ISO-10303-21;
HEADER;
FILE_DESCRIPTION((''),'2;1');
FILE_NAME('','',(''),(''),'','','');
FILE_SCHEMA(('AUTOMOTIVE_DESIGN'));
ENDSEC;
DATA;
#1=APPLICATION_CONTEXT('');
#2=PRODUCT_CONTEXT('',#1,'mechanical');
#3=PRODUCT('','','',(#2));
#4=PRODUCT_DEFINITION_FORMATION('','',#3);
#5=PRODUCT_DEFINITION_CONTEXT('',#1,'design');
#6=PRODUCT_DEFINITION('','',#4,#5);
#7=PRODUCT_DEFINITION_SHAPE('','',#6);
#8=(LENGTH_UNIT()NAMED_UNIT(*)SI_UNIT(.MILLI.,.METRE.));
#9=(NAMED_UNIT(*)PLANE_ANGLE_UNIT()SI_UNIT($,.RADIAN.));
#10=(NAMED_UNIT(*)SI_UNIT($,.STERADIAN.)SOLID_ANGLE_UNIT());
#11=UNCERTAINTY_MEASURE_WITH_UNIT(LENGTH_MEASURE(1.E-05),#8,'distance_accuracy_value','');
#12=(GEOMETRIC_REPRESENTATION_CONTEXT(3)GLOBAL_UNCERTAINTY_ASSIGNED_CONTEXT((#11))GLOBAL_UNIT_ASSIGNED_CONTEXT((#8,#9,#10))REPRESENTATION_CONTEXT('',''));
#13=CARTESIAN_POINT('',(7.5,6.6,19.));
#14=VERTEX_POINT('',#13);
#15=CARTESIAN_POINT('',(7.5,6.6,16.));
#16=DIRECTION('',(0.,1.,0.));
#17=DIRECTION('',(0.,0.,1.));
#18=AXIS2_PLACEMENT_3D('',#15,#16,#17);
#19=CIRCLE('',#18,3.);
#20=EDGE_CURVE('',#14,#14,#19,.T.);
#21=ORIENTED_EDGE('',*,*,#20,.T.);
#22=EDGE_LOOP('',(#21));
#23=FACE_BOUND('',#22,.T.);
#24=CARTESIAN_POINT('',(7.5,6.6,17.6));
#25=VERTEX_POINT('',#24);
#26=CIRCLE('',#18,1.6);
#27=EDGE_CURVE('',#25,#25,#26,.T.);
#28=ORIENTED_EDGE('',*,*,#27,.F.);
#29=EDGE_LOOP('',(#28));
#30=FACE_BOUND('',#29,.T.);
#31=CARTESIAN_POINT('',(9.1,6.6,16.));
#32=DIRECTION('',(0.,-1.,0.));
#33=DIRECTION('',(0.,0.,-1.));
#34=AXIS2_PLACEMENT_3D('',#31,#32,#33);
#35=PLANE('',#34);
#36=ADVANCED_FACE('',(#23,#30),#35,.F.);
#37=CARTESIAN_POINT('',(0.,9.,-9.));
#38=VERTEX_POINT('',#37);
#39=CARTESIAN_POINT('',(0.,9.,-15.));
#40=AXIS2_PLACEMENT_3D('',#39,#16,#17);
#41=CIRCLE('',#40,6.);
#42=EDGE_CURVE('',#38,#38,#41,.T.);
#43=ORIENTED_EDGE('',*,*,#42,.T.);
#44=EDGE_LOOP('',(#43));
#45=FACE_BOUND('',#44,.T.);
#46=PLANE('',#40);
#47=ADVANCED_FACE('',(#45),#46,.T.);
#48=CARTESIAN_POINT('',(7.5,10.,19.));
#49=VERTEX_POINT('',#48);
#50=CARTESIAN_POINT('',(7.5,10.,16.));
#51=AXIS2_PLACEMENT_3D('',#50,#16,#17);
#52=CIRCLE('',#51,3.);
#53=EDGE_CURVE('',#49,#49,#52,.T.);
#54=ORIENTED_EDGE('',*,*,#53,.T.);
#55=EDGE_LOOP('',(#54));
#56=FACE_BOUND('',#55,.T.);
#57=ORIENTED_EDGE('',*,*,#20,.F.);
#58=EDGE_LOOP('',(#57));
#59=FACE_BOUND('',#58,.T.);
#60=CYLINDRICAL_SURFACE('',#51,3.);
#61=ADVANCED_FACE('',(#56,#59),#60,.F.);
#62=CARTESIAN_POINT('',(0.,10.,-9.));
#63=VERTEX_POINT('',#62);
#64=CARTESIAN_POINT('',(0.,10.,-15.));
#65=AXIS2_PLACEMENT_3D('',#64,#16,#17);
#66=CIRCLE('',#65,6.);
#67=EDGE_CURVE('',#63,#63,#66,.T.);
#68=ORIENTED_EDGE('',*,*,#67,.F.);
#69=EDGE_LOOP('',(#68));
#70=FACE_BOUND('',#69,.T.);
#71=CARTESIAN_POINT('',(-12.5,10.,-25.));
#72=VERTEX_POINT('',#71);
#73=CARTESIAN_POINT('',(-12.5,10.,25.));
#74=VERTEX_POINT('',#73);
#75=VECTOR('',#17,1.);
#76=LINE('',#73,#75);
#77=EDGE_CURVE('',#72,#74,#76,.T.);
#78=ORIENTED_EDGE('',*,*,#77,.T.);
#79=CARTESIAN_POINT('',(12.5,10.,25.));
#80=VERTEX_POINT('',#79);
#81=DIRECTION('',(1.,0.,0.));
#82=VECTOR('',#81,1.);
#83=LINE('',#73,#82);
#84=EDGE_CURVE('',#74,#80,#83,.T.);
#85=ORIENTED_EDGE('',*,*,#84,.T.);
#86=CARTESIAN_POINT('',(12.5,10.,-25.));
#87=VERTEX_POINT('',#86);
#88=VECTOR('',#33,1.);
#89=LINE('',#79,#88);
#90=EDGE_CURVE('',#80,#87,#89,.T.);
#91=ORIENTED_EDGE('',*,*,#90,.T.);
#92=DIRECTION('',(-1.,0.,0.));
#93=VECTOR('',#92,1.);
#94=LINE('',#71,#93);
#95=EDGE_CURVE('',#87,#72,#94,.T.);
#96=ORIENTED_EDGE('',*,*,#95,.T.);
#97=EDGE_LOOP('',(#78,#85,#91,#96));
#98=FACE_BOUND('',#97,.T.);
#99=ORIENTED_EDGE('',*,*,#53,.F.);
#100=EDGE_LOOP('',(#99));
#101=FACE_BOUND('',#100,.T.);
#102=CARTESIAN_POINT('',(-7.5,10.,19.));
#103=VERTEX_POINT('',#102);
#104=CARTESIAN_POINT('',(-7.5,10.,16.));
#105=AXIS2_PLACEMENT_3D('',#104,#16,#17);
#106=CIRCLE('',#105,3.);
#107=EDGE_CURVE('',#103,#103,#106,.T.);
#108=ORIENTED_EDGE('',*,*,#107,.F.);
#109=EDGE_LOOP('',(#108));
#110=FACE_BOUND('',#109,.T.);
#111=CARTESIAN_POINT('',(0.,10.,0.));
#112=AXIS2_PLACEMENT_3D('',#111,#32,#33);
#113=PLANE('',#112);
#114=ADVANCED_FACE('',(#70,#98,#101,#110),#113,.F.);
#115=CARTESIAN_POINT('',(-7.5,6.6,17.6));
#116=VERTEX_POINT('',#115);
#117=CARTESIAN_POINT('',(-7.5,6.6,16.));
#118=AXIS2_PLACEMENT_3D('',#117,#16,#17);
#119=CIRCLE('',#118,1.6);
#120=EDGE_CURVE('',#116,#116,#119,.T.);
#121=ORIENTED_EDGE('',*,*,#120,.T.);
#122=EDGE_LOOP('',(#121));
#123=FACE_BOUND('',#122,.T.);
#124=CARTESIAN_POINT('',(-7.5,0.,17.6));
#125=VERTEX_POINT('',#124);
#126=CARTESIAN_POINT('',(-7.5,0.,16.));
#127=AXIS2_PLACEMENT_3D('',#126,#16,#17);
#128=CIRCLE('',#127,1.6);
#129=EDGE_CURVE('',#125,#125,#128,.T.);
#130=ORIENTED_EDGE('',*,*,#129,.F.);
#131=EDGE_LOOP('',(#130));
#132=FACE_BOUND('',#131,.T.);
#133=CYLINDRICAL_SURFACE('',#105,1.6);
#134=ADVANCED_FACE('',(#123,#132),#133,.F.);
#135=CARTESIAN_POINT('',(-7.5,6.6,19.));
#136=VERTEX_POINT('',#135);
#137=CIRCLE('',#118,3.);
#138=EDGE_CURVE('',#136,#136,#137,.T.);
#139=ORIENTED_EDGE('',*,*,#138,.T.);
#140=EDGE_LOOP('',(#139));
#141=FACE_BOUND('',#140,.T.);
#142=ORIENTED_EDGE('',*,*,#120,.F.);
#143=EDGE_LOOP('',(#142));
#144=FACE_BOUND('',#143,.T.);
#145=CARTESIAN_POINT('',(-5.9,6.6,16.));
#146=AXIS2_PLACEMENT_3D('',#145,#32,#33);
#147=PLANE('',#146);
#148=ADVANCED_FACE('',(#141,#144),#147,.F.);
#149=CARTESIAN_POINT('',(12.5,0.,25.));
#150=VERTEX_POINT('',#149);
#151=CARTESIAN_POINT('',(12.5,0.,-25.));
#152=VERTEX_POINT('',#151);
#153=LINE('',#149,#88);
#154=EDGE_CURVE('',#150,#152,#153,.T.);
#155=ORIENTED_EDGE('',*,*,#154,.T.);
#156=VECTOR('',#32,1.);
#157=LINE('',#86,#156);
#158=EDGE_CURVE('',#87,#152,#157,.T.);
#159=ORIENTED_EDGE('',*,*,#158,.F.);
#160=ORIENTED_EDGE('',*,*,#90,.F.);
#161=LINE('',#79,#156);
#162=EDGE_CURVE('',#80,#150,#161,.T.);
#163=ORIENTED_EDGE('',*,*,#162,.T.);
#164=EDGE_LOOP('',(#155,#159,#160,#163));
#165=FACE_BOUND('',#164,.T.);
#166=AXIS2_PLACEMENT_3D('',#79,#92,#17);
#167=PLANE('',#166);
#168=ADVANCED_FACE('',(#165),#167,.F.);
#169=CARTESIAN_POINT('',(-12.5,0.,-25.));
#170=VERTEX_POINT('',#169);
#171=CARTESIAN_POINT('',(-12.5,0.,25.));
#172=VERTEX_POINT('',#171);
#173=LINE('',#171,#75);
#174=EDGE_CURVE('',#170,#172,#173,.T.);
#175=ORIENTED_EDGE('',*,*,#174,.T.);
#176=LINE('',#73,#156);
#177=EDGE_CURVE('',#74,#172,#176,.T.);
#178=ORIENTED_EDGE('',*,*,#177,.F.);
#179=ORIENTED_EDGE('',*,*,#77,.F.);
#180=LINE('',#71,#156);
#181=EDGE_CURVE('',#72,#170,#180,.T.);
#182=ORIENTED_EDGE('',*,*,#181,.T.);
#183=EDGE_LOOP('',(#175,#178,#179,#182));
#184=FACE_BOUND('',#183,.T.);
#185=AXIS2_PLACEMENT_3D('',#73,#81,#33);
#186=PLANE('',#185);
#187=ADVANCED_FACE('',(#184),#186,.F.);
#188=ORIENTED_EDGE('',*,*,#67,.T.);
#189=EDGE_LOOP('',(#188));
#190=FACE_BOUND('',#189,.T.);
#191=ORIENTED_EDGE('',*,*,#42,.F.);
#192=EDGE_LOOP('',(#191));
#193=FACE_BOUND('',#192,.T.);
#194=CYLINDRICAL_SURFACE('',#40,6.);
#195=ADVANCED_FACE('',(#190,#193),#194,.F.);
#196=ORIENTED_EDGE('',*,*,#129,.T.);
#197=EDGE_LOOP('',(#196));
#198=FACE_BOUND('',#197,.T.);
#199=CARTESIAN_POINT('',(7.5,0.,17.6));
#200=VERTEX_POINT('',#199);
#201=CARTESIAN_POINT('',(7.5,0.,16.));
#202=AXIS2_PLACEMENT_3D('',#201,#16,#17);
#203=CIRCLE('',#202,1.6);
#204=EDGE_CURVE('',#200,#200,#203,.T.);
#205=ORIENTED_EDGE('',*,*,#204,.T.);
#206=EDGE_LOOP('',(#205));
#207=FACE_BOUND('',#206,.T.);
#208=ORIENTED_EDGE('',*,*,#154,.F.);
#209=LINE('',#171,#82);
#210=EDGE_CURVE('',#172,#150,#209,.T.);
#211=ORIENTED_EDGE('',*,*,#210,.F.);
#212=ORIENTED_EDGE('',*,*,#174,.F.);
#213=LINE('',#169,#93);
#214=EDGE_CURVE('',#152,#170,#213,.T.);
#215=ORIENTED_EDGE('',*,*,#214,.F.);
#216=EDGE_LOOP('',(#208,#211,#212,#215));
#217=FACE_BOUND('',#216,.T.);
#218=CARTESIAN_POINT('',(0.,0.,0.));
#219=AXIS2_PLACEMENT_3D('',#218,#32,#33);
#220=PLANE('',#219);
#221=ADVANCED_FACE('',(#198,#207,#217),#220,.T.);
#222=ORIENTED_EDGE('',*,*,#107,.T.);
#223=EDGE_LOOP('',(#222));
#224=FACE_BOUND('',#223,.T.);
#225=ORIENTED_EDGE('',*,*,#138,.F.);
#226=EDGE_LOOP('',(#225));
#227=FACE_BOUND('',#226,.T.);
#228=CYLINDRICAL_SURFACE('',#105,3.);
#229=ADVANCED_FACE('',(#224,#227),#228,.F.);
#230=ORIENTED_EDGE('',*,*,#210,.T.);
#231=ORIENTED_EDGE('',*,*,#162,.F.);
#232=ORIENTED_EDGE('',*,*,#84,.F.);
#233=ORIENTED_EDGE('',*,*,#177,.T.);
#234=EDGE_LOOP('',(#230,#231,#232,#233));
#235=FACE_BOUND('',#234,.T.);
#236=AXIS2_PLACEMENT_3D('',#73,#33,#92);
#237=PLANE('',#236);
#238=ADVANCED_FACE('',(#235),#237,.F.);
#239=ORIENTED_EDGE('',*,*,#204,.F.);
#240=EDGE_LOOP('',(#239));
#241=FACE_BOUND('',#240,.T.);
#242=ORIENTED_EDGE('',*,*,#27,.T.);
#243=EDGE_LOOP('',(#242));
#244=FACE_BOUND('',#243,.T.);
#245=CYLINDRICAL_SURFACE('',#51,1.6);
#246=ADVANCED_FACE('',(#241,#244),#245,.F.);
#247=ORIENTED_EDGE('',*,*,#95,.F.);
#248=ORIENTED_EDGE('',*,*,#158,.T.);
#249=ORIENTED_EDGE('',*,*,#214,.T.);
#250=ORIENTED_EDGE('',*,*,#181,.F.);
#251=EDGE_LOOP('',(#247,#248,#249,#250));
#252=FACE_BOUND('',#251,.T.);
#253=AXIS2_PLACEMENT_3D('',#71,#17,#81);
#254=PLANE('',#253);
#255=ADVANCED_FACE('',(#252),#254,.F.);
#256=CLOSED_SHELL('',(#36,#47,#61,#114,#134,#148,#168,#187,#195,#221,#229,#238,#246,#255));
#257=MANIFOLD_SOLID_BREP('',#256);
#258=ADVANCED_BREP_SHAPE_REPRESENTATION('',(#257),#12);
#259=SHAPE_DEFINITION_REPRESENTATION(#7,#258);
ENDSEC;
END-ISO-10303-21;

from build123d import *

# Parameters (mm, degrees)
SKETCH_1_W                = 25
SKETCH_1_H                = 50
EXTRUDE_1_DEPTH           = 10
HOLE_WIZARD_1_D           = 3.2
HOLE_WIZARD_1_CBORE_D     = 6
HOLE_WIZARD_1_CBORE_DEPTH = 3.4
SKETCH_5_R                = 6
CUT_EXTRUDE_1_DEPTH       = 1


with BuildPart() as part:
    # 草图1 → 凸台-拉伸1 (new body)
    with BuildSketch(Plane(origin=(0, 0, 0), x_dir=(1, 0, 0), z_dir=(0, 1, 0))):
        Rectangle(SKETCH_1_W, SKETCH_1_H)
    extrude(amount=EXTRUDE_1_DEPTH)

    # 打孔尺寸(%根据)内六角圆柱头螺钉的类型1 (through all)
    with Locations(Plane(origin=(0, 10, 0), x_dir=(1, 0, 0), z_dir=(0, 1, 0))):
        with Locations((-7.5, -16), (7.5, -16)):
            CounterBoreHole(HOLE_WIZARD_1_D / 2, HOLE_WIZARD_1_CBORE_D / 2, HOLE_WIZARD_1_CBORE_DEPTH)

    # 草图5 → 切除-拉伸1 (cut)
    with BuildSketch(Plane(origin=(0, 10, 0), x_dir=(1, 0, 0), z_dir=(0, 1, 0))):
        with Locations((0, 15)):
            Circle(SKETCH_5_R)
    extrude(amount=-CUT_EXTRUDE_1_DEPTH, mode=Mode.SUBTRACT)


solid = part.part
